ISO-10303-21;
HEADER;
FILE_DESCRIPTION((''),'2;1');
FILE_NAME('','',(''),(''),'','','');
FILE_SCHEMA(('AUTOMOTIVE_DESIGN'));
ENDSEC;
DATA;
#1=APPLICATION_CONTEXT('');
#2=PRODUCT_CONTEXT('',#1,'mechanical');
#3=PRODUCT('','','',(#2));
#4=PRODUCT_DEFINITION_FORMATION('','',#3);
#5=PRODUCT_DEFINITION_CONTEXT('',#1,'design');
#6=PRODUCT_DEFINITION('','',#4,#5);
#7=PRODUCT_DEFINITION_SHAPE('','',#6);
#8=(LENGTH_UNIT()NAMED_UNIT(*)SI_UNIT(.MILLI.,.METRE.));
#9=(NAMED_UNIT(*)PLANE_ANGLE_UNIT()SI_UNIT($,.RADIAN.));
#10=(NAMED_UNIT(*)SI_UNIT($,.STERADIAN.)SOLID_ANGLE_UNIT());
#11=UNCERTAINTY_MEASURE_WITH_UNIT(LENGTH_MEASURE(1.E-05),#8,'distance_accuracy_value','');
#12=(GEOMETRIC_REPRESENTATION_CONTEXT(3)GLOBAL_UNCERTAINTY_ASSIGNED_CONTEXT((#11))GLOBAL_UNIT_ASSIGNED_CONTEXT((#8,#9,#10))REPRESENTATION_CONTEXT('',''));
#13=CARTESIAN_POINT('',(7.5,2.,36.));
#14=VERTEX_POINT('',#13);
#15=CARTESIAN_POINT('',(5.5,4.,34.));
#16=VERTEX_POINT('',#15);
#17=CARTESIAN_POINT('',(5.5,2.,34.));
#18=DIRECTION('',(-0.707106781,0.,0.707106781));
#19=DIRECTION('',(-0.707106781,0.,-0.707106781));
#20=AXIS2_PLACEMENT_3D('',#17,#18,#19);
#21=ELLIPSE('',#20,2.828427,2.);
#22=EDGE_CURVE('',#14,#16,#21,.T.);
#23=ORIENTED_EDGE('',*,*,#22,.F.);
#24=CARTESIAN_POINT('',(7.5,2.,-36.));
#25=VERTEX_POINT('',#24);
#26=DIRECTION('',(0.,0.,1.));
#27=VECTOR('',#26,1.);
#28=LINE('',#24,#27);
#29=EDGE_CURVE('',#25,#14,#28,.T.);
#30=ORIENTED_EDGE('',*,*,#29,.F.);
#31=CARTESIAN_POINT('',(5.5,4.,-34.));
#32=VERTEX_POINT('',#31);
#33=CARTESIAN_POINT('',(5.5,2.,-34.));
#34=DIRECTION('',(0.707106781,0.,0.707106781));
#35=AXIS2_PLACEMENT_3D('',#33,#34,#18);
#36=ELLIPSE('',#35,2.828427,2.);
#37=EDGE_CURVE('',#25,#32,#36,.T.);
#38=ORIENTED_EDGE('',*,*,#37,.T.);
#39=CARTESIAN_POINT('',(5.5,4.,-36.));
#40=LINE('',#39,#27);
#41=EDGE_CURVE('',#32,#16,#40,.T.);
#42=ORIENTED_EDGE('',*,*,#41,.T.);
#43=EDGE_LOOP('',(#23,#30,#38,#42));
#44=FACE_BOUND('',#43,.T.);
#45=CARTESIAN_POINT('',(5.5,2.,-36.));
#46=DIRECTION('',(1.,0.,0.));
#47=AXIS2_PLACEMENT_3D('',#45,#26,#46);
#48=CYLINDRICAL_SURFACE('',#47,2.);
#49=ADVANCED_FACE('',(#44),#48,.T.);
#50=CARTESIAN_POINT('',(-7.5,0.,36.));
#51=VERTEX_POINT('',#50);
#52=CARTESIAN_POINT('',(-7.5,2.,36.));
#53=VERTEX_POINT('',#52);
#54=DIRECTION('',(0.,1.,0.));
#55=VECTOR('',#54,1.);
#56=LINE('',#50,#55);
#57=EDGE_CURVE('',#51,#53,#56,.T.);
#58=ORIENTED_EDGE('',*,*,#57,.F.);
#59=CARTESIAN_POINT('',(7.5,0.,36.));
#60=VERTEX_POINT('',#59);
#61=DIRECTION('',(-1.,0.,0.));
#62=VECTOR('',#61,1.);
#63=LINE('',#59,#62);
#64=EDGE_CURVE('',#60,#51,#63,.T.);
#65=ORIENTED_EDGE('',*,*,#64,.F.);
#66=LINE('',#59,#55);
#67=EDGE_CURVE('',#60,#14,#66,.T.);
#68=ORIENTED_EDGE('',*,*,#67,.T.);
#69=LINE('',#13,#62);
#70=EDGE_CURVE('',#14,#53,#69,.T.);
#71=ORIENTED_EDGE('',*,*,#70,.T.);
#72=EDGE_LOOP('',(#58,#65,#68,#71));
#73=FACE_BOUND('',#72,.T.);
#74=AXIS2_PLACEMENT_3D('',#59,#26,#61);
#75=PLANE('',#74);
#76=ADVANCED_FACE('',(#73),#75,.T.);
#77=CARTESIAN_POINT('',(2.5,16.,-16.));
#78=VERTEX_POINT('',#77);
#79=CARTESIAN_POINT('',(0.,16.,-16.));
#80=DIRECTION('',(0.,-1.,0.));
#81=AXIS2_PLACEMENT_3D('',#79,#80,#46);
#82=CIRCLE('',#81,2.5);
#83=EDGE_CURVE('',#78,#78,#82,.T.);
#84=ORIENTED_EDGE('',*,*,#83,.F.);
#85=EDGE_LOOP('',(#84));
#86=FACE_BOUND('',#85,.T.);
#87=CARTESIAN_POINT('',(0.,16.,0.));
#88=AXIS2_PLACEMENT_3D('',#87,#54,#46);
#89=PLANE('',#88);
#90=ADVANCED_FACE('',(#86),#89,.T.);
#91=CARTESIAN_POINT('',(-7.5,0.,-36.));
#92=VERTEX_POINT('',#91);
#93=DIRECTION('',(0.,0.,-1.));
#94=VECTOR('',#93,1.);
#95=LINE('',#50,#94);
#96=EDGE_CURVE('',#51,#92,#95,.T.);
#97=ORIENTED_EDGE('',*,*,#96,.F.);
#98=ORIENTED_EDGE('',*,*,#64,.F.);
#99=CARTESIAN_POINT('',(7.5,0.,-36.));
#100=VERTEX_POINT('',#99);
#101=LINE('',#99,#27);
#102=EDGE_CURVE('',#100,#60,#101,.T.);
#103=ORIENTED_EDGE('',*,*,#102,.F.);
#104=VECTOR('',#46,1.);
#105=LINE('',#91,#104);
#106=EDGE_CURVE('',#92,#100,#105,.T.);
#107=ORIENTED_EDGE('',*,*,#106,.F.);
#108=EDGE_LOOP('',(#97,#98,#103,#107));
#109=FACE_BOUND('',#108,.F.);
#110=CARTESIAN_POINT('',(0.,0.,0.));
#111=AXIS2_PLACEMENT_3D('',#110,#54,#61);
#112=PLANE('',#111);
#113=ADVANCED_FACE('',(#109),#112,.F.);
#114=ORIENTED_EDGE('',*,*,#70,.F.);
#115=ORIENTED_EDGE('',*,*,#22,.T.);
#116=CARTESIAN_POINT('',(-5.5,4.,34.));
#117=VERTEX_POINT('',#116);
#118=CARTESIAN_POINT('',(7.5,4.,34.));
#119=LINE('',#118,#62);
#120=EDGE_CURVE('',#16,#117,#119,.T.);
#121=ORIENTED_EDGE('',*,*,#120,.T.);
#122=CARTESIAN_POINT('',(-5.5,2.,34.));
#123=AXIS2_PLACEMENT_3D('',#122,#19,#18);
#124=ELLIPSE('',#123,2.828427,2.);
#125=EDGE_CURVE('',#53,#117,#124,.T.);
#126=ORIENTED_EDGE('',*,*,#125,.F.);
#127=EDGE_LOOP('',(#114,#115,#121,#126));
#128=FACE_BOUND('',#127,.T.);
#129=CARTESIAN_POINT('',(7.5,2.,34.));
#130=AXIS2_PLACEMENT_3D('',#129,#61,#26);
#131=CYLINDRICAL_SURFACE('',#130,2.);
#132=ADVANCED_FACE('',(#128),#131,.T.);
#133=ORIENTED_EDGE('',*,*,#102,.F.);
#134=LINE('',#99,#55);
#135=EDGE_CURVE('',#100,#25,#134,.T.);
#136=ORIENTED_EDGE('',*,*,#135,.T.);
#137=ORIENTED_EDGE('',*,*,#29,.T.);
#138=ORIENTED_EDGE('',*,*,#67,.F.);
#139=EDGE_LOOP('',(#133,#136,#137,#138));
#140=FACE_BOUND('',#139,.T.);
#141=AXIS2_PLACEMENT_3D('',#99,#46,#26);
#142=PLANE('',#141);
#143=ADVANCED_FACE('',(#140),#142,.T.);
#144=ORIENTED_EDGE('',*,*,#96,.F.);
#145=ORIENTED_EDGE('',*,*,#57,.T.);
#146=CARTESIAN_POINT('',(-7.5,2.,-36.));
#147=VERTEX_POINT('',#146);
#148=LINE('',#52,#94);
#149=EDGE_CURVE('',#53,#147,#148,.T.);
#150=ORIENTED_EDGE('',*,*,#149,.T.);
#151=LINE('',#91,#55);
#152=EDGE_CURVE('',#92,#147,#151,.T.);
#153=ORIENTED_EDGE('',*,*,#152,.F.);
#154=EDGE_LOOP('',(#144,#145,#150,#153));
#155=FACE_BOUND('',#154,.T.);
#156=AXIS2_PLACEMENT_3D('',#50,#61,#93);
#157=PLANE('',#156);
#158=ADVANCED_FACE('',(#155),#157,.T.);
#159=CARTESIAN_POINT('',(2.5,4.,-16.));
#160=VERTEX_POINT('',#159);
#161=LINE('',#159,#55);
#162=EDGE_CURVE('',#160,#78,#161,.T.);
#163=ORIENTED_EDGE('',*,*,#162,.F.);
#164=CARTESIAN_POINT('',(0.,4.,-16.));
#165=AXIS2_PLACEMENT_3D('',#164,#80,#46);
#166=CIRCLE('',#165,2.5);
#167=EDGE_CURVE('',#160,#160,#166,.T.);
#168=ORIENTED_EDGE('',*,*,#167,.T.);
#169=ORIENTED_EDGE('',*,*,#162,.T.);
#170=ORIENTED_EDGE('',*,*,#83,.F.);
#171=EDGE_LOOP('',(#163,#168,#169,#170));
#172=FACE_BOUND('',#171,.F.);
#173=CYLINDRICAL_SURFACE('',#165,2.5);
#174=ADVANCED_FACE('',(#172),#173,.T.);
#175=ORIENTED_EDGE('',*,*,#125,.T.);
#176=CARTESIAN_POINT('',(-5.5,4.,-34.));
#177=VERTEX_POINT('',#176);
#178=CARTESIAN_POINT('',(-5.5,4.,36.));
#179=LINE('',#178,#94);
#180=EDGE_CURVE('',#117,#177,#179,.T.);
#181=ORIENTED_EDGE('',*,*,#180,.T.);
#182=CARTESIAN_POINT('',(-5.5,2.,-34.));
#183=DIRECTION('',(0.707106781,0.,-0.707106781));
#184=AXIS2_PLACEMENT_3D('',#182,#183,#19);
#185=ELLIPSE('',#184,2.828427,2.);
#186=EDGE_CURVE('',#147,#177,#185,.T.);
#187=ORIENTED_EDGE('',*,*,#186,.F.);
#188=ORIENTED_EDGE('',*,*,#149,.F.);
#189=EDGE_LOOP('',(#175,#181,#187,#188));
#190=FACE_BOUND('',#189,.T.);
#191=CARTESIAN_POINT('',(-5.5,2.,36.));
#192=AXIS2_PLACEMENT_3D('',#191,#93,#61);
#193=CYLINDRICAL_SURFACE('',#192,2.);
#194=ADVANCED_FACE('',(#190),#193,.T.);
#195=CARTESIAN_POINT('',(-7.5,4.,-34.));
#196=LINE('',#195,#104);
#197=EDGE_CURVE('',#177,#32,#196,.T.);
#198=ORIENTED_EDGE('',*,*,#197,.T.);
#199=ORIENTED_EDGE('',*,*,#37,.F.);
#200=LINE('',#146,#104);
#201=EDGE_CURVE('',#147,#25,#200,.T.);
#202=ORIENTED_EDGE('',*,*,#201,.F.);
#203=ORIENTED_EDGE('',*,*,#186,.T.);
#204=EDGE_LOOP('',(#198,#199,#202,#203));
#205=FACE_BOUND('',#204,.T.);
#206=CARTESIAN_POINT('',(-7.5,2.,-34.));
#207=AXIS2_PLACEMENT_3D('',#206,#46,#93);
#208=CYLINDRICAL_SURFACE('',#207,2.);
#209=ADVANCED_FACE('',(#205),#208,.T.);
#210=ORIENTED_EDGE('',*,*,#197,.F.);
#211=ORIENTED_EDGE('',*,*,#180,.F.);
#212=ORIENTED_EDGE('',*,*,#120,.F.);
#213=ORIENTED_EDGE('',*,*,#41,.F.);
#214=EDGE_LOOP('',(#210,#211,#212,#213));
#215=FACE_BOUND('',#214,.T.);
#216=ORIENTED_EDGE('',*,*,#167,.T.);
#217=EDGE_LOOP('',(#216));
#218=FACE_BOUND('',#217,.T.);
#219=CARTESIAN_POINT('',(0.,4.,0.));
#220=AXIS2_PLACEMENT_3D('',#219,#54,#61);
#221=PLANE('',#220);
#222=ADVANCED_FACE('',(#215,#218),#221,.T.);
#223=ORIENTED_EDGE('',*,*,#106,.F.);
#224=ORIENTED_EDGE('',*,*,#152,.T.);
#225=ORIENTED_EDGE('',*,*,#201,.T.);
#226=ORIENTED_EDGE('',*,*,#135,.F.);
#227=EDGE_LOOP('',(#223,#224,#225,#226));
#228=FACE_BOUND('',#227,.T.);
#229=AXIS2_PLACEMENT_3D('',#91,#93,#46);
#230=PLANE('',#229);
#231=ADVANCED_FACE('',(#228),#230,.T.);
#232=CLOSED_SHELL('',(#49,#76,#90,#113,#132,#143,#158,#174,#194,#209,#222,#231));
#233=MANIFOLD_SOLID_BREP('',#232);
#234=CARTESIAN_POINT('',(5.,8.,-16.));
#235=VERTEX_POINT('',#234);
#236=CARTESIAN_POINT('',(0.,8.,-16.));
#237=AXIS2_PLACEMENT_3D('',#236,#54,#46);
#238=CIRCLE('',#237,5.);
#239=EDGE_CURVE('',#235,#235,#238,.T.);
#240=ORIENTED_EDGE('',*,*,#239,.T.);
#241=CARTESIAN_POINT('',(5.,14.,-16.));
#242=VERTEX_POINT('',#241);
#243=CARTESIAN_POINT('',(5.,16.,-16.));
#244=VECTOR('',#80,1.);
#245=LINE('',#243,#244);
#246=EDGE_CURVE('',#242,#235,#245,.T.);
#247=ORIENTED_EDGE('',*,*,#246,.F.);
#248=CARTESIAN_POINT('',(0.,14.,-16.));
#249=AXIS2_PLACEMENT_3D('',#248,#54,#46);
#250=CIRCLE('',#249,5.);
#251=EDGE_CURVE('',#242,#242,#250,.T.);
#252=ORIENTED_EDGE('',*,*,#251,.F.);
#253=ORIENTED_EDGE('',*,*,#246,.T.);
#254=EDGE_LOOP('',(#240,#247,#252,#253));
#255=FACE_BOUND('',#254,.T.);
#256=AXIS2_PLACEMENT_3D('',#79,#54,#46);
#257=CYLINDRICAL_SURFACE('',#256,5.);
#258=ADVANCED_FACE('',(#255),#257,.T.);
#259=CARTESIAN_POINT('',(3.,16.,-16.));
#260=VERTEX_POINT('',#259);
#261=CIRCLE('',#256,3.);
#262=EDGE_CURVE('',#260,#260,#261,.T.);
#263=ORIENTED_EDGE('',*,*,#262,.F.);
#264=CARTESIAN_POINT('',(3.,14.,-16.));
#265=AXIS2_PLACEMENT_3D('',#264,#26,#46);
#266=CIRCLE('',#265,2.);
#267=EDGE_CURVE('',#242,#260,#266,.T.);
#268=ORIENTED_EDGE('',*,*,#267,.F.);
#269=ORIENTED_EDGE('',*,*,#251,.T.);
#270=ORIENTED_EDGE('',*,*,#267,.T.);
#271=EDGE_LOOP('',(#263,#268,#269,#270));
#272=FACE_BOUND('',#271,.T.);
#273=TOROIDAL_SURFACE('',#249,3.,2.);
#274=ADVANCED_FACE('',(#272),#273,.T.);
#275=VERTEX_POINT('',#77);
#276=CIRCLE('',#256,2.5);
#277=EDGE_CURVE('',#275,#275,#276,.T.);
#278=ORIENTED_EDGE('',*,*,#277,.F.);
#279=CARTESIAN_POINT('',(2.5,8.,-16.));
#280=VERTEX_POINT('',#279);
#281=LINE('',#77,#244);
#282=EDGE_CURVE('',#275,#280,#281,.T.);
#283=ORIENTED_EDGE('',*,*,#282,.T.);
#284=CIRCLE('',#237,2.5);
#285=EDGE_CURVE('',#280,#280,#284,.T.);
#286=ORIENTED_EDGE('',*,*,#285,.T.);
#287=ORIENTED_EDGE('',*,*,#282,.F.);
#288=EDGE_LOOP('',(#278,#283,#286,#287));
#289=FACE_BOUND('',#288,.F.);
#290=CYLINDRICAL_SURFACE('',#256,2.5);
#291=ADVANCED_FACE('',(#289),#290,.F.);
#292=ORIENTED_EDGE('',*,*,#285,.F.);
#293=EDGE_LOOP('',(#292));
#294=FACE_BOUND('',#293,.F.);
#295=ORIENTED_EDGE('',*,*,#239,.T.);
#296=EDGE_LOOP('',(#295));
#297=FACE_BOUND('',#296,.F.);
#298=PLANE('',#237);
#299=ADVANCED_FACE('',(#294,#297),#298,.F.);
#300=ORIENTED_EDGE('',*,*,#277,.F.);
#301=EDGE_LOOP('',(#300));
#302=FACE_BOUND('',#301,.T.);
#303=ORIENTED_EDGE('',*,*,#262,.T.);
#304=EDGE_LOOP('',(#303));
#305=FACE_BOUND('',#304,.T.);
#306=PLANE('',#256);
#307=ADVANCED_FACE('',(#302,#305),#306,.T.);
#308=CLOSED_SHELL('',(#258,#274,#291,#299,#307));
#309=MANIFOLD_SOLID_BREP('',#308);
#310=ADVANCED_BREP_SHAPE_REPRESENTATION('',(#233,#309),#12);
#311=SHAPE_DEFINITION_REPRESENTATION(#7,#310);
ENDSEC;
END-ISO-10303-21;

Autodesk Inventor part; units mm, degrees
ref_plane "YZ Plane" through (0, 0, 0) normal (1, 0, 0) x (0, 1, 0)
ref_plane "XZ Plane" through (0, 0, 0) normal (0, 1, 0) x (-1, 0, 0)
ref_plane "XY Plane" through (0, 0, 0) normal (0, 0, 1) x (1, 0, 0)
sketch "Sketch1" plane through (0, 0, 0) normal (0, 1, 0) x (-1, 0, 0)
  line L0 (-7.5, 36) -> (7.5, 36)
  line L1 (7.5, 36) -> (7.5, -36)
  line L2 (7.5, -36) -> (-7.5, -36)
  line L3 (-7.5, -36) -> (-7.5, 36)
  line L4 (-7.5, 36) -> (7.5, -36) construction
  line L5 (7.5, 36) -> (-7.5, -36) construction
  point P0 (0, 0)
  dimension "d0" = 15
  dimension "d1" = 72
extrude "Extrusion1" add sketch "Sketch1" along normal blind 4
fillet "Fillet1" radius 2 4 edges at (0, 4, 36) (7.5, 4, 0) (-7.5, 4, 0) (0, 4, -36)
sketch "Sketch2" plane through (0, 4, 0) normal (0, 1, 0) x (1, 0, 0)
  line L0 (7.5, 36) -> (-7.5, 36) projected
  line L1 (0, 36) -> (0, 16)
  circle A0 centre (0, 16) radius 2.5
  dimension "d7" = 20
  dimension "d8" = 5
extrude "Extrusion2" add sketch "Sketch2" along normal blind 12
sketch "Sketch3" plane through (0, 16, -16) normal (0, 1, 0) x (1, 0, 0)
  circle A0 centre (0, 0) radius 2.5 projected
  circle A1 centre (0, 0) radius 5
  point P0 (0, -16)
  dimension "d11" = 10
extrude "Extrusion3" add sketch "Sketch3" against normal blind 8 separate body
fillet "Fillet2" radius 2 1 edges at (-5, 16, -16)
properties part number "Pieza1 Pasador"
